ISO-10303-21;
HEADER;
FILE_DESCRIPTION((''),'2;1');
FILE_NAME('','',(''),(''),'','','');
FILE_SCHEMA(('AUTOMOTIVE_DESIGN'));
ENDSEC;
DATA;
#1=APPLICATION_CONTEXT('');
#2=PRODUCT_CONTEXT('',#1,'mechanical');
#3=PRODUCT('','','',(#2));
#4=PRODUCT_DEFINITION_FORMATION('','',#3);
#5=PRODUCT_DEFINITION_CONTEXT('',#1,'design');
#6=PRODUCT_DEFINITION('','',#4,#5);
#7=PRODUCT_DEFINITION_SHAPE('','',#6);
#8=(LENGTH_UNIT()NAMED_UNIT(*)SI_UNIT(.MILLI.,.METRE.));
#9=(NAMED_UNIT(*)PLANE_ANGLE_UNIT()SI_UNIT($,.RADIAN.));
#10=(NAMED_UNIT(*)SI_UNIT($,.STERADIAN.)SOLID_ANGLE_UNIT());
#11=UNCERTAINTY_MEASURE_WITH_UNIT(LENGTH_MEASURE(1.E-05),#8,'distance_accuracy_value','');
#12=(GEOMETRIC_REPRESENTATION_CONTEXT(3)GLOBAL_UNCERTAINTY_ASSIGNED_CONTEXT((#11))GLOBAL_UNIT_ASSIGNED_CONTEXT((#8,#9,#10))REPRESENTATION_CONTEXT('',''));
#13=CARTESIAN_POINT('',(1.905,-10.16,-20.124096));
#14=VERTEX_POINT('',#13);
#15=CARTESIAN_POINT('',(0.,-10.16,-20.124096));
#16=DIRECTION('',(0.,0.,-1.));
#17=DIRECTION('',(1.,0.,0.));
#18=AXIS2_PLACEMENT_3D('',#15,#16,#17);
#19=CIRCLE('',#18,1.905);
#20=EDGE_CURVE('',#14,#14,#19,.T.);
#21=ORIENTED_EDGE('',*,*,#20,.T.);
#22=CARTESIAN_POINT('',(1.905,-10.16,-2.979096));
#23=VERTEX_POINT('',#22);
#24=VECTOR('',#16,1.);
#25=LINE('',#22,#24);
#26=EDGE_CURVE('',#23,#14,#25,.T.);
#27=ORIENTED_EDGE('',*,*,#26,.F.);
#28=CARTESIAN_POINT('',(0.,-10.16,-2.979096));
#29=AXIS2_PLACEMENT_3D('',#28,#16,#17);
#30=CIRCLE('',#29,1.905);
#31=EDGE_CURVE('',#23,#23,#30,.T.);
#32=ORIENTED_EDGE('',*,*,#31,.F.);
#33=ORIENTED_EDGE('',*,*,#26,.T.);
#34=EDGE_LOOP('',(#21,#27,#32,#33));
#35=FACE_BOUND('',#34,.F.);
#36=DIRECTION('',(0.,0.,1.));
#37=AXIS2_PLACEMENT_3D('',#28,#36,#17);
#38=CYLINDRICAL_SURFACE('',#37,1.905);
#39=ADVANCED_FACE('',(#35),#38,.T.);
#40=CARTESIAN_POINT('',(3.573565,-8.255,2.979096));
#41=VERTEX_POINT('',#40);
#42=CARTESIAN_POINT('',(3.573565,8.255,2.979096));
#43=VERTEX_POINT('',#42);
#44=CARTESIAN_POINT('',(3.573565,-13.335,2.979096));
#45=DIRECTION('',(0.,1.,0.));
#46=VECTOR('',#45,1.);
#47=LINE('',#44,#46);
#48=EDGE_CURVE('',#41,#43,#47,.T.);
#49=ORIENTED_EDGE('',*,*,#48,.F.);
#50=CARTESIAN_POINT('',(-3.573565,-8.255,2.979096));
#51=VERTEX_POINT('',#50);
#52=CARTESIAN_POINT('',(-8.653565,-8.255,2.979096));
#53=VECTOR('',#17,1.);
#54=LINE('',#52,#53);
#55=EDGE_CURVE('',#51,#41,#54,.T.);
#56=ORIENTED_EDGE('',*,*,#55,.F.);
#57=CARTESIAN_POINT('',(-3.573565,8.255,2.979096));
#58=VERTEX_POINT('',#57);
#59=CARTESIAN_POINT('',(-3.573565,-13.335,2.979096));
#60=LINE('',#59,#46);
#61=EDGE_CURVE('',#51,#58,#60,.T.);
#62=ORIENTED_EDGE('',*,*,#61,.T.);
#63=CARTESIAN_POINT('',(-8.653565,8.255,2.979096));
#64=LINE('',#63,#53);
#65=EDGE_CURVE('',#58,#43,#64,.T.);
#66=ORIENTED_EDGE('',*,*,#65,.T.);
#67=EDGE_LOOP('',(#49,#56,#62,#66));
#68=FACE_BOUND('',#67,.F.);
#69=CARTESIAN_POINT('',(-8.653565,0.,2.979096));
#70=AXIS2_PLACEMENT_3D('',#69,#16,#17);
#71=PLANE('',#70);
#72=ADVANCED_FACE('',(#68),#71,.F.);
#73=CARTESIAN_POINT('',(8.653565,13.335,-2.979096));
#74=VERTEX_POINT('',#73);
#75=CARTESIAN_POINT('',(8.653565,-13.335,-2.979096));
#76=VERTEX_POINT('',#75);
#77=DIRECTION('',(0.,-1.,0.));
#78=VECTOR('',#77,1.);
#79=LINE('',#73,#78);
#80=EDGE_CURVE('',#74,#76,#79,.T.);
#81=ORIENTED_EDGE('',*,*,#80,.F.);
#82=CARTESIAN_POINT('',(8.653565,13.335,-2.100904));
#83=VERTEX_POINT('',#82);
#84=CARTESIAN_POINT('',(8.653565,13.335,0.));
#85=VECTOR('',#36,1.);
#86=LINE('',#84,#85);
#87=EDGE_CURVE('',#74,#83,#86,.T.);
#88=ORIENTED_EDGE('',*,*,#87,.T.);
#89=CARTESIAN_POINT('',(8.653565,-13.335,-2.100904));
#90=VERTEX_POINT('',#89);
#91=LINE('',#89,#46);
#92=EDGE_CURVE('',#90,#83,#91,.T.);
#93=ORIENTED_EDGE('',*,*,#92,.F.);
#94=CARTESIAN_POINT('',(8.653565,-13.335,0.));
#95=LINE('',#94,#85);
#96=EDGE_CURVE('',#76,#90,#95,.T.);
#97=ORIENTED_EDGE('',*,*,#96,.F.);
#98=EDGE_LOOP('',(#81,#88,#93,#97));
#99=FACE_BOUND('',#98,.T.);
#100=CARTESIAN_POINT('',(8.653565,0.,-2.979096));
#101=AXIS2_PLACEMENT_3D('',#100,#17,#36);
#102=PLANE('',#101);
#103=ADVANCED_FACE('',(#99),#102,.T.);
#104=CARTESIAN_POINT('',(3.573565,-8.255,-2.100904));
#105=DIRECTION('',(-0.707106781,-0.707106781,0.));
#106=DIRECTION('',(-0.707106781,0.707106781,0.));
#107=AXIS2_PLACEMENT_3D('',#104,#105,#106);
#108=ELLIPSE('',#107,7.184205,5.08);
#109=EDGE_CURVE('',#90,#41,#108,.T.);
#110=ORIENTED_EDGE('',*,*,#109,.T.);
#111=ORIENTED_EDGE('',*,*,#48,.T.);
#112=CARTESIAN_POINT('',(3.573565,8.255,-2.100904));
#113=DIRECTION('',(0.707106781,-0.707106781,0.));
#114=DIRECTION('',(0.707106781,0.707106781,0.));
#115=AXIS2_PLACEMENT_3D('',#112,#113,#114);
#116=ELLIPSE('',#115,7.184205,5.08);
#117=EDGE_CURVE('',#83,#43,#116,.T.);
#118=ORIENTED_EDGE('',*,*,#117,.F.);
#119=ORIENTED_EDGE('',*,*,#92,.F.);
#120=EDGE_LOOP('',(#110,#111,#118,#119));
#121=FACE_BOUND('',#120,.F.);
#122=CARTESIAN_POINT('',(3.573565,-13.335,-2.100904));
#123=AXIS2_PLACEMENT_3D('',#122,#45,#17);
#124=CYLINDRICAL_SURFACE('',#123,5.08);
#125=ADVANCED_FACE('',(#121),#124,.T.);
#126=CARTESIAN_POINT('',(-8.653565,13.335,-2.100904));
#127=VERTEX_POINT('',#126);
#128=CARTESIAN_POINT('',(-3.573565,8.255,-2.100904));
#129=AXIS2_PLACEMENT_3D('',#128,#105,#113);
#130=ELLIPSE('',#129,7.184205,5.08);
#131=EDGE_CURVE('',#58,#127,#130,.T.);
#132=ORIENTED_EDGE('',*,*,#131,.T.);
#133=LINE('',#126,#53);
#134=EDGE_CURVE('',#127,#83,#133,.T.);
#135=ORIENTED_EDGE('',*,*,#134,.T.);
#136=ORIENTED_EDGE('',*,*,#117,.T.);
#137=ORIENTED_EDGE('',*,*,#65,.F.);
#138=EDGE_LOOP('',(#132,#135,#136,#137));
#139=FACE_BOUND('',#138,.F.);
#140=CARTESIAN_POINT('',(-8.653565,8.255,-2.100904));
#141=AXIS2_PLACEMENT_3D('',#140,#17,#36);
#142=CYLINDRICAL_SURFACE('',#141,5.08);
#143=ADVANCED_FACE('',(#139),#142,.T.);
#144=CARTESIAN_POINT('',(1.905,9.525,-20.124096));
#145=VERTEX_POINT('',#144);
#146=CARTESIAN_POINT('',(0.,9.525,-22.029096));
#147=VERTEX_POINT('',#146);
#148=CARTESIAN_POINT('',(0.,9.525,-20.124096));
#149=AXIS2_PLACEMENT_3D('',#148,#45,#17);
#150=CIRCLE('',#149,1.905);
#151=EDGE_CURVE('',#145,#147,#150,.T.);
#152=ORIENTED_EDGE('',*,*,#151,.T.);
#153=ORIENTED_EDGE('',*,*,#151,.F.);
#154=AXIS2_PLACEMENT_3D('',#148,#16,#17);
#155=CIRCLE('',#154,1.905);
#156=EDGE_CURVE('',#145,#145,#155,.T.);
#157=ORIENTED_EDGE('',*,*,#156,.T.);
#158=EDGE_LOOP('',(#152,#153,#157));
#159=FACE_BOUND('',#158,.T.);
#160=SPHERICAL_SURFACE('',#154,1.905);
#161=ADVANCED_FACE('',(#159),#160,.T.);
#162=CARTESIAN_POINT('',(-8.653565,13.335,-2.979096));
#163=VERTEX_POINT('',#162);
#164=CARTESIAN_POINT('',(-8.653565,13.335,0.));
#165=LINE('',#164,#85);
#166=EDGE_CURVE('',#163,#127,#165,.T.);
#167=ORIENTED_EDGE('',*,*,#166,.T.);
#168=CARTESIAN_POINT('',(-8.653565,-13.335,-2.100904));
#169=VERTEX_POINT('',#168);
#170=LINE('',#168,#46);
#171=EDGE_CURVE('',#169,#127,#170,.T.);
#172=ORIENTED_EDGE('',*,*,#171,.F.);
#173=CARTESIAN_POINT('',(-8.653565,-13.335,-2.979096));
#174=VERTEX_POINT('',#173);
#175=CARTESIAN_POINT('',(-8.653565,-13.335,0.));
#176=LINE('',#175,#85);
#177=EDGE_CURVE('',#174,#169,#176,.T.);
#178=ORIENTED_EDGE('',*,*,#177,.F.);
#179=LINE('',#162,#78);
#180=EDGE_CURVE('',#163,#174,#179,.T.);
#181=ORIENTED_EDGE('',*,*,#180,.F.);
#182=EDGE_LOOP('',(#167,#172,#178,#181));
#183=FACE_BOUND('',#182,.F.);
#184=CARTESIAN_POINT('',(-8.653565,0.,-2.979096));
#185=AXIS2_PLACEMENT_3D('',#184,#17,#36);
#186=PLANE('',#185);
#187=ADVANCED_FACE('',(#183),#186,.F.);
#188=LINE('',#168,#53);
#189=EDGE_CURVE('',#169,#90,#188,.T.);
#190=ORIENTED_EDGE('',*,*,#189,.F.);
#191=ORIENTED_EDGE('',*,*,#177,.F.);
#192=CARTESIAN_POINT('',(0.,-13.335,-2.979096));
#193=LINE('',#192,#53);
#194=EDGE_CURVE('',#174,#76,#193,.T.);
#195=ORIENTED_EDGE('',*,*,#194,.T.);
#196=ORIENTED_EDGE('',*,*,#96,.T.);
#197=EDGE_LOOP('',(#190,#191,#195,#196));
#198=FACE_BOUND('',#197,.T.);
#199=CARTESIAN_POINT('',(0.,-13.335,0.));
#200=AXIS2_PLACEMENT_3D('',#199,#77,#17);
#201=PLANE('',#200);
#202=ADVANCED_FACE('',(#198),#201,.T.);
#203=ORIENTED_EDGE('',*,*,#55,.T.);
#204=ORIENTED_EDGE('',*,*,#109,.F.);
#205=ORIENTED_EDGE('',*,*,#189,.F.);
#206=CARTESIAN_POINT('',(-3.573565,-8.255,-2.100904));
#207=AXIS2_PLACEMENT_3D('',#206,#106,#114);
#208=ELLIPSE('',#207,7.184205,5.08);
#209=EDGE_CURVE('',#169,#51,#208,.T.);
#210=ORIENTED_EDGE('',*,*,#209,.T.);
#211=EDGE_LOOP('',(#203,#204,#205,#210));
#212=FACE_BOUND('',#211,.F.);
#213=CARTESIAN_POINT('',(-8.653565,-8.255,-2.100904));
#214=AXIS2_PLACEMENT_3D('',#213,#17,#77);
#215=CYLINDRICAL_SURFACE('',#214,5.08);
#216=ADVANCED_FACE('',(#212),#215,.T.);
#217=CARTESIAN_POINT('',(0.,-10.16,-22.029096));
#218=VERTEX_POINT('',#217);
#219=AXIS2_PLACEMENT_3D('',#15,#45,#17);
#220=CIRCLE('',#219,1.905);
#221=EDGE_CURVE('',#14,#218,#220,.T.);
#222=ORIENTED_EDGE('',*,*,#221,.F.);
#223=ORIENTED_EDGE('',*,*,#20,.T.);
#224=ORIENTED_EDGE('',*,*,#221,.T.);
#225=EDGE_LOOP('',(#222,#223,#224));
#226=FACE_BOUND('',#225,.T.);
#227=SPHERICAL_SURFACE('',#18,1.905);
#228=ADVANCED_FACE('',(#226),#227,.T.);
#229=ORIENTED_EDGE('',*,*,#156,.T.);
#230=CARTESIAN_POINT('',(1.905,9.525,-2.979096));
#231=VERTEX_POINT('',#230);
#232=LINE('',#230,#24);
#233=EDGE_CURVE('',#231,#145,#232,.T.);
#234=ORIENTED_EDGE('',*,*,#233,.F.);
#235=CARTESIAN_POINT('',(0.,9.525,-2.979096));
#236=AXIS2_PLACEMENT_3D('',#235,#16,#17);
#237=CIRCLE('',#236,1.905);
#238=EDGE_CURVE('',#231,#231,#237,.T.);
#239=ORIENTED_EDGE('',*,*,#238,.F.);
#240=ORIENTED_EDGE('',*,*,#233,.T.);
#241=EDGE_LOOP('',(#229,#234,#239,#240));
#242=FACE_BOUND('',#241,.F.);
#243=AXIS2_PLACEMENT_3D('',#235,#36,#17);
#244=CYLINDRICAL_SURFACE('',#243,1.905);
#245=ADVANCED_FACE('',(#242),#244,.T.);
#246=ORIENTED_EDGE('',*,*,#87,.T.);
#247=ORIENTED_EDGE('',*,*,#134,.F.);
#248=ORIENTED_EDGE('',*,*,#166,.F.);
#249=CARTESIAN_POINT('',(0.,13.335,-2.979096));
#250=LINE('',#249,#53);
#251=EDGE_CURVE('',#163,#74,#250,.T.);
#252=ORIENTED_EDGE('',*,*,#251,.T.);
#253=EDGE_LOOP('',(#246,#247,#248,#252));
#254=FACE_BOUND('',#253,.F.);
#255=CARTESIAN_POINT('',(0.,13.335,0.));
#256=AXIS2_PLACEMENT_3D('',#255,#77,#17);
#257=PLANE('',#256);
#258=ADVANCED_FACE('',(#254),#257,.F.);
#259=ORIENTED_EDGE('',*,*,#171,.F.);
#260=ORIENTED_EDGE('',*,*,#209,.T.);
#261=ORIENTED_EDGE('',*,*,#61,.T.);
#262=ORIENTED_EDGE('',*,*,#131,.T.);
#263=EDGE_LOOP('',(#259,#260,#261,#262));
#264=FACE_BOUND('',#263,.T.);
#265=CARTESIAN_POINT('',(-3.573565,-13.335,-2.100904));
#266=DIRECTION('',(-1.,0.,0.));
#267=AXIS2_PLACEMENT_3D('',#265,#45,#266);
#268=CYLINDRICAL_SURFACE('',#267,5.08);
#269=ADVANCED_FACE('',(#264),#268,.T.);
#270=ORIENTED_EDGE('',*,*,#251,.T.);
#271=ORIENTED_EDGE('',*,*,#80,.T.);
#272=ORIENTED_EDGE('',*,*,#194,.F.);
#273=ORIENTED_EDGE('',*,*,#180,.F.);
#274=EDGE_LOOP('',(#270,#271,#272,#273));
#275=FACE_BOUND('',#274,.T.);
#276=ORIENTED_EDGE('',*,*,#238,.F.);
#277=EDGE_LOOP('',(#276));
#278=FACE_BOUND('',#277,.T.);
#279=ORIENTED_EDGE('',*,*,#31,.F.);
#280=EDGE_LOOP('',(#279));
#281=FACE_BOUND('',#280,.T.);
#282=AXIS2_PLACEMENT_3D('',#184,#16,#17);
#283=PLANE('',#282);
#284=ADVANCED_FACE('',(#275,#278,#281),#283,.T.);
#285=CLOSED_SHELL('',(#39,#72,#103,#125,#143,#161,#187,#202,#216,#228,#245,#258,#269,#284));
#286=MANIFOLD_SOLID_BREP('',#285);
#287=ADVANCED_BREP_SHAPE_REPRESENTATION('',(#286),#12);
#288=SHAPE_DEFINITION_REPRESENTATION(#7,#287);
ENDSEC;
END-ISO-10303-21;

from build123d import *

# Parameters (mm, degrees)
F0_W     = 17.30713
F0_H     = 5.958192
F1_DEPTH = 13.335
F2_DEPTH = 13.335
F3_R     = 5.08
F4_R     = 1.905
F5_DEPTH = 19.05
F6_R     = 1.905


with BuildPart() as f1:
    # F0 (on Front) → F1 (new body)
    with BuildSketch(Plane.XZ):
        Rectangle(F0_W, F0_H)
    extrude(amount=F1_DEPTH)

    # F0 (on Front) → F2 (join)
    with BuildSketch(Plane.XZ):
        Rectangle(F0_W, F0_H)
    extrude(amount=-F2_DEPTH)

    # F3
    f3_edges = [f1.edges().sort_by_distance(p)[0] for p in [
        (8.653565, 0, 2.979096),
        (0, 13.335, 2.979096),
        (-8.653565, 0, 2.979096),
        (0, -13.335, 2.979096),
    ]]
    fillet(f3_edges, radius=F3_R)

    # F4 (on face) → F5 (join)
    with BuildSketch(Plane(origin=(0, 0, -2.979096), x_dir=(1, 0, 0), z_dir=(0, 0, -1))):
        with Locations((0, 10.16)):
            Circle(F4_R)
        with Locations((0, -9.525)):
            Circle(F4_R)
    extrude(amount=F5_DEPTH)

    # F6
    f6_edges = [f1.edges().sort_by_distance(p)[0] for p in [
        (-1.905, -10.16, -22.029096),
        (-1.905, 9.525, -22.029096),
    ]]
    fillet(f6_edges, radius=F6_R)


solid = f1.part
